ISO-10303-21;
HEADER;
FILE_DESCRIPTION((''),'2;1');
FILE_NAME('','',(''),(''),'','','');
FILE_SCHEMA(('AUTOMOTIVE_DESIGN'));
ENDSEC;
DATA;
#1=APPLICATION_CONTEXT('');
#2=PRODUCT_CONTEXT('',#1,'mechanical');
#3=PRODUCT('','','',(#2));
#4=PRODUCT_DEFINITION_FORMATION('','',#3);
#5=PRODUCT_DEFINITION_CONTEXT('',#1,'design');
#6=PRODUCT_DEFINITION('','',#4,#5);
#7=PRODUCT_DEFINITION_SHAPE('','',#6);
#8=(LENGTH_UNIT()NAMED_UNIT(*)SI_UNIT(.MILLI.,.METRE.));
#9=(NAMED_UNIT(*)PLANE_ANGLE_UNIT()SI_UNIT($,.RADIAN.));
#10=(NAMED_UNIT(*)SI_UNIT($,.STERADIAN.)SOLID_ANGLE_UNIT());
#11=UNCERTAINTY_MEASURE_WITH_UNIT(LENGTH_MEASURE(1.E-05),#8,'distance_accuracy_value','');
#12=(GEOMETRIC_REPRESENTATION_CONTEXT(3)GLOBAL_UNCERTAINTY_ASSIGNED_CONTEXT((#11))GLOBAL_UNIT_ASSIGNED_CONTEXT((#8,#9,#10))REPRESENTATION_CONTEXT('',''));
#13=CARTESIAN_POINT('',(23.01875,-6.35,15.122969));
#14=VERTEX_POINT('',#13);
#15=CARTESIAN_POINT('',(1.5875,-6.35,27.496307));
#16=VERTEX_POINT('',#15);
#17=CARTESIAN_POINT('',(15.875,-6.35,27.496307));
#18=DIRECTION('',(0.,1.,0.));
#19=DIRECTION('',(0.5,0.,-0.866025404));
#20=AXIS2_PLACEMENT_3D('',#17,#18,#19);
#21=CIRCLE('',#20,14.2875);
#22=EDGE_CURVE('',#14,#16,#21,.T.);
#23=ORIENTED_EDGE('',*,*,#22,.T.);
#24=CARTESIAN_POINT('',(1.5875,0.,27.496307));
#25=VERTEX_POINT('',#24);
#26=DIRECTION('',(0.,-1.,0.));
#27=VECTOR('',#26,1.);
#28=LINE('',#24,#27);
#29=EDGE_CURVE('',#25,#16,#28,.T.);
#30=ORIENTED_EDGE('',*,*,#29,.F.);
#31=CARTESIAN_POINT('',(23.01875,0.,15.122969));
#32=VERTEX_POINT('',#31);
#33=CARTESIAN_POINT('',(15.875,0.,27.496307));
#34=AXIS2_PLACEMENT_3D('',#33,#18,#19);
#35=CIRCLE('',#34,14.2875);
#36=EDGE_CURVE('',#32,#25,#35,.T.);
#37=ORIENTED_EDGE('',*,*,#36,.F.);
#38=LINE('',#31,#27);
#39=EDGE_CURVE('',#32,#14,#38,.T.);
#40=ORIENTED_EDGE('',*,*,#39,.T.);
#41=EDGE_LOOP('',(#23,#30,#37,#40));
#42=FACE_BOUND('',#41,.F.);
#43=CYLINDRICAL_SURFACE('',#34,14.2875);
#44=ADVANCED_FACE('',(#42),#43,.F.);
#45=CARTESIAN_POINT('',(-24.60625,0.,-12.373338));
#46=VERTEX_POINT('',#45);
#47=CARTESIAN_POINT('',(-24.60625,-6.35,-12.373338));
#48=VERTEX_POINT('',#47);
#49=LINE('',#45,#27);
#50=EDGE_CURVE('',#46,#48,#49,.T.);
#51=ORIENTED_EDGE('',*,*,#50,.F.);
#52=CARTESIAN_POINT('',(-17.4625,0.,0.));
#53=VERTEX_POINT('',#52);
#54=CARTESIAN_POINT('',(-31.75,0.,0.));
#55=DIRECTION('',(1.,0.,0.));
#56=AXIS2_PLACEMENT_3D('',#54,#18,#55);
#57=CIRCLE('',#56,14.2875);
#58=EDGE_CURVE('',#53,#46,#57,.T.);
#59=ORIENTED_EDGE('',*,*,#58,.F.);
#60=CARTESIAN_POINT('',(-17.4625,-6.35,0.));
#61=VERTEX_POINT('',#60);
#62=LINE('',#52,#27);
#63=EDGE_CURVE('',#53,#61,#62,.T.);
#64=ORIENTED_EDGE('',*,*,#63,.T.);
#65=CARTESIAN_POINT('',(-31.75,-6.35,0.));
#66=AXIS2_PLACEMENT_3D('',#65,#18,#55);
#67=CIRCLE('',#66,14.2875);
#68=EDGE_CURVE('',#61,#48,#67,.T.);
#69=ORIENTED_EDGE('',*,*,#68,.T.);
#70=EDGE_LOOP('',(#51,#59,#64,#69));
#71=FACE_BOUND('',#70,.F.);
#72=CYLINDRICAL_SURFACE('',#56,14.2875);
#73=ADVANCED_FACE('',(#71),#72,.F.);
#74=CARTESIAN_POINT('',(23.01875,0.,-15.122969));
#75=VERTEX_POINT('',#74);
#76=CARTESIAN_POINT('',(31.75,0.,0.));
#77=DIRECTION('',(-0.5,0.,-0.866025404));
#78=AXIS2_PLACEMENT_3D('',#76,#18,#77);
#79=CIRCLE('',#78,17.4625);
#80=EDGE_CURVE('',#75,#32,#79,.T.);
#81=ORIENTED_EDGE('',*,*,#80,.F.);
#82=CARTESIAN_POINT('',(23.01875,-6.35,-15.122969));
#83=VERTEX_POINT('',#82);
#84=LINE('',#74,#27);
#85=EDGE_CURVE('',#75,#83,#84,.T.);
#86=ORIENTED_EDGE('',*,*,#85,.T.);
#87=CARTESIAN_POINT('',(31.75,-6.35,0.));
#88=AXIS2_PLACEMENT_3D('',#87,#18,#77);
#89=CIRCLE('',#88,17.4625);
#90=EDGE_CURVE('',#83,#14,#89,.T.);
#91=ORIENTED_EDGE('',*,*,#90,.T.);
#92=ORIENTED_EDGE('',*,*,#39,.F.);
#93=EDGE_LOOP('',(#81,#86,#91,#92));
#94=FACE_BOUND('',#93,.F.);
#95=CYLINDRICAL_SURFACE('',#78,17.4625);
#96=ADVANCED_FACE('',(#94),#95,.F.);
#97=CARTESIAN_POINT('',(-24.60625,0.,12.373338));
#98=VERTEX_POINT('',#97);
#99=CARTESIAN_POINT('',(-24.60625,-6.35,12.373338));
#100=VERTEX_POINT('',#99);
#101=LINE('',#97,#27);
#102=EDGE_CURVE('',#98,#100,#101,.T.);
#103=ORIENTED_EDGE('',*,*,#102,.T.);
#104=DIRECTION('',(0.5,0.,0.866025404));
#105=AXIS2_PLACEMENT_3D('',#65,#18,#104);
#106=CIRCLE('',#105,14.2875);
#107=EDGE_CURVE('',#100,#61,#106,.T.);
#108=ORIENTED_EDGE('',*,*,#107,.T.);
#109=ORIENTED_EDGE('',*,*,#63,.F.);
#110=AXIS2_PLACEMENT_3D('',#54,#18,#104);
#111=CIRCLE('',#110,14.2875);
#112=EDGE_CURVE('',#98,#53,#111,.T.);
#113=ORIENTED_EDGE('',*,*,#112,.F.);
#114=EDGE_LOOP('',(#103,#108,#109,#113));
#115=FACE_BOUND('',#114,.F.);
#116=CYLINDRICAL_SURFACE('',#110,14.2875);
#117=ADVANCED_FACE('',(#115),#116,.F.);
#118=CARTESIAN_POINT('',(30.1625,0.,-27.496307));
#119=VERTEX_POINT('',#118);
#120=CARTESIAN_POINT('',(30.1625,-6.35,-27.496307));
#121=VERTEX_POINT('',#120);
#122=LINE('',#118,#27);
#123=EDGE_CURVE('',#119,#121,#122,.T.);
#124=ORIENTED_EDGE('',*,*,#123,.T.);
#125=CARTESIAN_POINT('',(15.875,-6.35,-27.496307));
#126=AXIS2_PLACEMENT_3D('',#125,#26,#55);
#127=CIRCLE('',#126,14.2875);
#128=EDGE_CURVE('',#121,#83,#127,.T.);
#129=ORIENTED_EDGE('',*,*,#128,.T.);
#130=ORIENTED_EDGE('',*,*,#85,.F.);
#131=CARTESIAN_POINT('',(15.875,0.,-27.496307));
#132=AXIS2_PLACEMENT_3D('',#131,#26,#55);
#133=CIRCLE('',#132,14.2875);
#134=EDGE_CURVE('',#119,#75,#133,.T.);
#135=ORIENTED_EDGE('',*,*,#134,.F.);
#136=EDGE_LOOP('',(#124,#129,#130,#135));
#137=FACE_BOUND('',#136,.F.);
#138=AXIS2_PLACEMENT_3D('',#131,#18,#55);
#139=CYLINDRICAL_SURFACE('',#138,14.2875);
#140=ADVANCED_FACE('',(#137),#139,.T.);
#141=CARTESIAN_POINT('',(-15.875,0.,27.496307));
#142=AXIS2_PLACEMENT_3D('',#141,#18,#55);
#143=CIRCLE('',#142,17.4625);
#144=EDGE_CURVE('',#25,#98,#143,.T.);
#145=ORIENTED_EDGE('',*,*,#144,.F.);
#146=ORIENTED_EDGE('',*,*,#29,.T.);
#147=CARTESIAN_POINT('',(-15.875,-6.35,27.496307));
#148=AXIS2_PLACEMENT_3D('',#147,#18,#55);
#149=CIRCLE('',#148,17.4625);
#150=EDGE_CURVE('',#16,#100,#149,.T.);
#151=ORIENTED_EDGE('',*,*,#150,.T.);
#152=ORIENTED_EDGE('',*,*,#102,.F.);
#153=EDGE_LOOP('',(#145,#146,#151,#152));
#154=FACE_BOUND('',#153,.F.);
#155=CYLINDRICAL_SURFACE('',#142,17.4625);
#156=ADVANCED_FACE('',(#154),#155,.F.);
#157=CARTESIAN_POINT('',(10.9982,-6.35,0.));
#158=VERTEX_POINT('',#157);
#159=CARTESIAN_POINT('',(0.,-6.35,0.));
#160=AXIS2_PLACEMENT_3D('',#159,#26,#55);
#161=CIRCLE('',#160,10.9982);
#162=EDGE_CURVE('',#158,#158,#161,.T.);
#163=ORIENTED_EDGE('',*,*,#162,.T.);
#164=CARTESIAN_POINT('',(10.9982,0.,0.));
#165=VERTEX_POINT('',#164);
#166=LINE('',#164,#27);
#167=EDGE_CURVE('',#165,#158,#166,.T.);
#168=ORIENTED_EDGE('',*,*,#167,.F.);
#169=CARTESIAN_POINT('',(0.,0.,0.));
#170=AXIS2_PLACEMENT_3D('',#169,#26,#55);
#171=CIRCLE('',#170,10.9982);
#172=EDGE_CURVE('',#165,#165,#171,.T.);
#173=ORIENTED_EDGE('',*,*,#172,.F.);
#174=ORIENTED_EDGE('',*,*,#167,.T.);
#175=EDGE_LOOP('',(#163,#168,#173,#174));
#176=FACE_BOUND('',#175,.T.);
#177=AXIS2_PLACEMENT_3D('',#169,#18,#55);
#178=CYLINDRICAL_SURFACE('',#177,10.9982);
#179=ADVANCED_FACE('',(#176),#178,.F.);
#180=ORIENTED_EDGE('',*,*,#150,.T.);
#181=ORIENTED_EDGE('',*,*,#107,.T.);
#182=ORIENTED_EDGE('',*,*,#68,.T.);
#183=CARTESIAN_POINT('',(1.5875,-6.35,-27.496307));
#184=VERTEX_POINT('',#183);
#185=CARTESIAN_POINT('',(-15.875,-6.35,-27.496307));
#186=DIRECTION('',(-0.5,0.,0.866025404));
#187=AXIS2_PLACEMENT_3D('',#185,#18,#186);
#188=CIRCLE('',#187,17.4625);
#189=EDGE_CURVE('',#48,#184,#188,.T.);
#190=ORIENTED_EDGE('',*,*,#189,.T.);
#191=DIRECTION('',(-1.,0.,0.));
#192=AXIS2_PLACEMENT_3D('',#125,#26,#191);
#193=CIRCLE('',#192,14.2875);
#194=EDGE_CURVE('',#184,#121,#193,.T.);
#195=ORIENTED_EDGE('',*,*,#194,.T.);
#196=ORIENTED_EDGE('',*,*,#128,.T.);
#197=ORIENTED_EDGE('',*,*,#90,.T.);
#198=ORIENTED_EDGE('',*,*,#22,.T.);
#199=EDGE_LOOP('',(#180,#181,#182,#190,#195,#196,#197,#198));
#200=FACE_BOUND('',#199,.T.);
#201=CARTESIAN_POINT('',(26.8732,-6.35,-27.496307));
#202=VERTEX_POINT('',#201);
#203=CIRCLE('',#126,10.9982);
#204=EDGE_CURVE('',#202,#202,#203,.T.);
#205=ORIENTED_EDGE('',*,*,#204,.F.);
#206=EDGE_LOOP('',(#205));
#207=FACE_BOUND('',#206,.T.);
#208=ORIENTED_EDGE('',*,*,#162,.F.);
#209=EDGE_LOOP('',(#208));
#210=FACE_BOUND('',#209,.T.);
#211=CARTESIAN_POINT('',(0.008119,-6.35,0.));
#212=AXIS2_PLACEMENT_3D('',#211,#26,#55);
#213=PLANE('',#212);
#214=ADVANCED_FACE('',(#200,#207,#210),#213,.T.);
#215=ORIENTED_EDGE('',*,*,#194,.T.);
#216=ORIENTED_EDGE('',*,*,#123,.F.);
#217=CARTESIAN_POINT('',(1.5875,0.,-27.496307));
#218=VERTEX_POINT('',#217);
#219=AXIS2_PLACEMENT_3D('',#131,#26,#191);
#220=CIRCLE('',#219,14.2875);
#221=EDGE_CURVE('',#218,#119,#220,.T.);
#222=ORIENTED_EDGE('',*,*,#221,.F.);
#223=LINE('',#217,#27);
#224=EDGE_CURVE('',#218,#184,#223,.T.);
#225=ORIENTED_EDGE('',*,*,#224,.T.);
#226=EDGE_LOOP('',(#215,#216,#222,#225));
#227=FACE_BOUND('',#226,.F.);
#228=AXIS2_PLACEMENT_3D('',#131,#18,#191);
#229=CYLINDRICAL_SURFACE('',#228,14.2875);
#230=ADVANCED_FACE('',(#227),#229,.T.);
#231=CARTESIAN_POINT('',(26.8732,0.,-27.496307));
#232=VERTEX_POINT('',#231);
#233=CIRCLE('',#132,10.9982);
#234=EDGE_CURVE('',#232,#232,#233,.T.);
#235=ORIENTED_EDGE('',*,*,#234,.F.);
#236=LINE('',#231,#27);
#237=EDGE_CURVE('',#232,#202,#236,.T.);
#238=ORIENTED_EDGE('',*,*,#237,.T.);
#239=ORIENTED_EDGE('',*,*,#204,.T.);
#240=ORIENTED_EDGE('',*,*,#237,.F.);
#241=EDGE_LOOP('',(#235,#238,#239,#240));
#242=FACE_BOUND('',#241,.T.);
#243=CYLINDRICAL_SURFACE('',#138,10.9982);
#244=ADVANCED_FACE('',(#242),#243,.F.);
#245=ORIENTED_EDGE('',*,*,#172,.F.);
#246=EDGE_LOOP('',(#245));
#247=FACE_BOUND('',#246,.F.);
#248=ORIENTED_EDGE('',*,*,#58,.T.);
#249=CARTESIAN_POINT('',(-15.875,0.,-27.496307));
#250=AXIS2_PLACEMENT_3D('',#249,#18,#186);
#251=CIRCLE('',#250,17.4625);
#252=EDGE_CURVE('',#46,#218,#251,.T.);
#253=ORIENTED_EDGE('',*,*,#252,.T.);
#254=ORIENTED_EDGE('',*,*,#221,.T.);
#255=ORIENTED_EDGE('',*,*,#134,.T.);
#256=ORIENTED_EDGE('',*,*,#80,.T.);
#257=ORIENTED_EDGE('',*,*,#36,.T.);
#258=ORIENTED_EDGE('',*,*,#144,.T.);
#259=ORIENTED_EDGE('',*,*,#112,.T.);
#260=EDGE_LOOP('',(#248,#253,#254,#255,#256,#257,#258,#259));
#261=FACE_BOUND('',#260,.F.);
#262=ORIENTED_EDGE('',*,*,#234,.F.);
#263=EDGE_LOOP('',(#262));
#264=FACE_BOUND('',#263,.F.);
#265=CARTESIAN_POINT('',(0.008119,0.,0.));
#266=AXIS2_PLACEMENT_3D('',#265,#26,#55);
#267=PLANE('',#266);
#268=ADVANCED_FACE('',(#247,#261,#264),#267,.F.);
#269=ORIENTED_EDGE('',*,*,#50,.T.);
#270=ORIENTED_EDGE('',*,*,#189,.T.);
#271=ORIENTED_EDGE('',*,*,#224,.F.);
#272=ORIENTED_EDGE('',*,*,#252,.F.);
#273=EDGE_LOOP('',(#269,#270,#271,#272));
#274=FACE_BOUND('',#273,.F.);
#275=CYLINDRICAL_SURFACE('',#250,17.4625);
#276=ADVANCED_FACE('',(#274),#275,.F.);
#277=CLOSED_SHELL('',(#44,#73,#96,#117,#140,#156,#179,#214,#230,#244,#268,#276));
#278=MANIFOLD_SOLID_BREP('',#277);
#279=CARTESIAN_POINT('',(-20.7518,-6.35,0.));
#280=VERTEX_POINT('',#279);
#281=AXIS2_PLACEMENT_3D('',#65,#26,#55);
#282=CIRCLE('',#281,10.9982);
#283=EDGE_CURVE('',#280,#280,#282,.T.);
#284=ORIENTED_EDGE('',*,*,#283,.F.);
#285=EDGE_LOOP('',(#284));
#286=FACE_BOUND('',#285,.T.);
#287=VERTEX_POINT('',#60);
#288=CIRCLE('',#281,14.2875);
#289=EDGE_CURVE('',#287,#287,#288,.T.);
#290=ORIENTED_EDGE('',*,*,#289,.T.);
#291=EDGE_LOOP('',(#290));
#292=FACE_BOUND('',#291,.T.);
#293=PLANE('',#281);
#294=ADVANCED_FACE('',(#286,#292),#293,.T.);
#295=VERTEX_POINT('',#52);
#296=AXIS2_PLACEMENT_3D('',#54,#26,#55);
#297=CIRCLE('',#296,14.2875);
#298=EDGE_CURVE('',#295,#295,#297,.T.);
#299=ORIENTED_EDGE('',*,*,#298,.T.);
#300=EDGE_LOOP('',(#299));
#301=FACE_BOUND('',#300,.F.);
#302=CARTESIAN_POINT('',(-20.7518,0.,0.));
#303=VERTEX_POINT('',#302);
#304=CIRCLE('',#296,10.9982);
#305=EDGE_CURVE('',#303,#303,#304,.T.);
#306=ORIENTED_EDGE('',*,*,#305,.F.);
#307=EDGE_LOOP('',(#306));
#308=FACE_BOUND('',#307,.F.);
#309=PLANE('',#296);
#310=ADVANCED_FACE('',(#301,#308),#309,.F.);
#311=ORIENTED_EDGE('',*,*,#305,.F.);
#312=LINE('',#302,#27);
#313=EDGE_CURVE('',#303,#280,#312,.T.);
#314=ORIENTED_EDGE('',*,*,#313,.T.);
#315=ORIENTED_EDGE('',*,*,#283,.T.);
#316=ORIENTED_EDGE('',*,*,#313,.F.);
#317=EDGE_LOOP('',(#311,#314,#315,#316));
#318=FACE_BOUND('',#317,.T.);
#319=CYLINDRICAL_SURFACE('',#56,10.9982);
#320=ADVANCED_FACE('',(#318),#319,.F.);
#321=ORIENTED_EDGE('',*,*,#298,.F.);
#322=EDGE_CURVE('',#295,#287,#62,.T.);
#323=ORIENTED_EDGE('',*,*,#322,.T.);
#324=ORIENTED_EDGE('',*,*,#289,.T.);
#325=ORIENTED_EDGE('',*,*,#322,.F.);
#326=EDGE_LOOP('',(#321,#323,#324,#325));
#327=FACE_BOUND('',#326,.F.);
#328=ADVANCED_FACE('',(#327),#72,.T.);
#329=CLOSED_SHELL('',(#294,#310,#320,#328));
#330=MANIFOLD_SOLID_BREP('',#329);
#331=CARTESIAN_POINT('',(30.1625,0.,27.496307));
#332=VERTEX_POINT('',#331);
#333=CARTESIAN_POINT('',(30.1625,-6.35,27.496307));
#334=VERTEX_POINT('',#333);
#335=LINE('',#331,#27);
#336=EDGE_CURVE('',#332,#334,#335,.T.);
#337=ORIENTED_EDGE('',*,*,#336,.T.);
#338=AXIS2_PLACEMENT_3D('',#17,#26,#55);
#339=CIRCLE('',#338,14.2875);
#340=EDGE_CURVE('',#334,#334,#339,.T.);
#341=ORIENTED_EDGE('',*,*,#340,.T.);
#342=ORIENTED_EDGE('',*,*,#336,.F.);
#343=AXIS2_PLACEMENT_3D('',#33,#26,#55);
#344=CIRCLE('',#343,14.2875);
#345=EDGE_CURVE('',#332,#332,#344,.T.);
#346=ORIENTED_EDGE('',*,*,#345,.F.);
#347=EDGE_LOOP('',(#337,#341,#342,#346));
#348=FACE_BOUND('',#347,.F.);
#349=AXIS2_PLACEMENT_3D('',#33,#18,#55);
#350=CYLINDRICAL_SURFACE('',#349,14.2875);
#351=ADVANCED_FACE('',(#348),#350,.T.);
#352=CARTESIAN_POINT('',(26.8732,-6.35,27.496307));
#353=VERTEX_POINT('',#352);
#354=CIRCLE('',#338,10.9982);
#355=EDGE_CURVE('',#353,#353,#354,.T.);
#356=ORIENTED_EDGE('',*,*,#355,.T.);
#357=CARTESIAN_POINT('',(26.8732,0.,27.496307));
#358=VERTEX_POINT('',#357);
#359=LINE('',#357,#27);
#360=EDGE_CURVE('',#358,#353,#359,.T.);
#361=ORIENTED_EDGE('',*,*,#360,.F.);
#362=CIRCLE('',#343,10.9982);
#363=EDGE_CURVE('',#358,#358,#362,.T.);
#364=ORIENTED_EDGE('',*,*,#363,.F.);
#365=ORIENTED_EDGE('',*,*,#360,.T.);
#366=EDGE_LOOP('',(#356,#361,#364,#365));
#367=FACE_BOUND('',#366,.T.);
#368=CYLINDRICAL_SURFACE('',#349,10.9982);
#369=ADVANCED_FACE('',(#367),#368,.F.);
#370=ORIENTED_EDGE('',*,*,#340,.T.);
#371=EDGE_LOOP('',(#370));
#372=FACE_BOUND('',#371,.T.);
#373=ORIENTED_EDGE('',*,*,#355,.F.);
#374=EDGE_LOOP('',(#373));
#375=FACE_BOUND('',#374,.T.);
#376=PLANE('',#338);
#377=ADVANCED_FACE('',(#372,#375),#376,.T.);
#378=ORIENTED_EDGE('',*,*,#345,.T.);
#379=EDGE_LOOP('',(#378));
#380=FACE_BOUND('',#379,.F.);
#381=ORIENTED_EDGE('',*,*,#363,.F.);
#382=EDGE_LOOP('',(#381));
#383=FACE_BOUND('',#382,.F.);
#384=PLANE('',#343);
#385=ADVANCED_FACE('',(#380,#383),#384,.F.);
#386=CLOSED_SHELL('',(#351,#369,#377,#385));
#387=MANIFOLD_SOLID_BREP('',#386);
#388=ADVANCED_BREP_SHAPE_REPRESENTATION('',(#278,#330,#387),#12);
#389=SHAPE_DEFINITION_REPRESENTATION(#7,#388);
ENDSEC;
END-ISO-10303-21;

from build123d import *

# Parameters (mm, degrees)
F1_R     = 10.9982
F2_DEPTH = 6.35
F0_R     = 14.2875
F0_R_2   = 10.9982


with BuildPart() as f2:
    # F1 (on face) → F2 (new body)
    with BuildSketch(Plane.XZ):
        with BuildLine():
            ThreePointArc((-24.60625, -12.3733379566), (-7.14375, -12.3733379566), (1.5875, -27.4963065702))
            ThreePointArc((1.5875, -27.4963065702), (8.73125, -15.1229686136), (23.01875, -15.1229686136))
            ThreePointArc((23.01875, -15.1229686136), (14.2875, 0), (23.01875, 15.1229686136))
            ThreePointArc((23.01875, 15.1229686136), (8.73125, 15.1229686136), (1.5875, 27.4963065702))
            ThreePointArc((1.5875, 27.4963065702), (-7.14375, 12.3733379566), (-24.60625, 12.3733379566))
            ThreePointArc((-24.60625, 12.3733379566), (-19.3766620434, 7.14375), (-17.4625, 0))
            ThreePointArc((-17.4625, 0), (-19.3766620434, -7.14375), (-24.60625, -12.3733379566))
        make_face()
        Circle(F1_R, mode=Mode.SUBTRACT)
        with BuildLine():
            ThreePointArc((23.01875, -15.1229686136), (8.73125, -15.1229686136), (1.5875, -27.4963065702))
            ThreePointArc((1.5875, -27.4963065702), (15.875, -41.7838065702), (30.1625, -27.4963065702))
            ThreePointArc((30.1625, -27.4963065702), (28.2483379566, -20.3525565702), (23.01875, -15.1229686136))
        make_face()
        with Locations((15.875, -27.4963065702)):
            Circle(F1_R, mode=Mode.SUBTRACT)
    extrude(amount=F2_DEPTH)


with BuildPart() as f2b:
    # F0 (on Front) → F2, piece 2 (new body)
    with BuildSketch(Plane.XZ):
        with Locations((-31.75, 0)):
            Circle(F0_R)
        with Locations((-31.75, 0)):
            Circle(F0_R_2, mode=Mode.SUBTRACT)
    extrude(amount=F2_DEPTH)


with BuildPart() as f2c:
    # F0 (on Front) → F2, piece 3 (new body)
    with BuildSketch(Plane.XZ):
        with Locations((15.875, 27.4963065702)):
            Circle(F0_R)
        with Locations((15.875, 27.4963065702)):
            Circle(F0_R_2, mode=Mode.SUBTRACT)
    extrude(amount=F2_DEPTH)


solid = Compound([f2.part, f2b.part, f2c.part])
